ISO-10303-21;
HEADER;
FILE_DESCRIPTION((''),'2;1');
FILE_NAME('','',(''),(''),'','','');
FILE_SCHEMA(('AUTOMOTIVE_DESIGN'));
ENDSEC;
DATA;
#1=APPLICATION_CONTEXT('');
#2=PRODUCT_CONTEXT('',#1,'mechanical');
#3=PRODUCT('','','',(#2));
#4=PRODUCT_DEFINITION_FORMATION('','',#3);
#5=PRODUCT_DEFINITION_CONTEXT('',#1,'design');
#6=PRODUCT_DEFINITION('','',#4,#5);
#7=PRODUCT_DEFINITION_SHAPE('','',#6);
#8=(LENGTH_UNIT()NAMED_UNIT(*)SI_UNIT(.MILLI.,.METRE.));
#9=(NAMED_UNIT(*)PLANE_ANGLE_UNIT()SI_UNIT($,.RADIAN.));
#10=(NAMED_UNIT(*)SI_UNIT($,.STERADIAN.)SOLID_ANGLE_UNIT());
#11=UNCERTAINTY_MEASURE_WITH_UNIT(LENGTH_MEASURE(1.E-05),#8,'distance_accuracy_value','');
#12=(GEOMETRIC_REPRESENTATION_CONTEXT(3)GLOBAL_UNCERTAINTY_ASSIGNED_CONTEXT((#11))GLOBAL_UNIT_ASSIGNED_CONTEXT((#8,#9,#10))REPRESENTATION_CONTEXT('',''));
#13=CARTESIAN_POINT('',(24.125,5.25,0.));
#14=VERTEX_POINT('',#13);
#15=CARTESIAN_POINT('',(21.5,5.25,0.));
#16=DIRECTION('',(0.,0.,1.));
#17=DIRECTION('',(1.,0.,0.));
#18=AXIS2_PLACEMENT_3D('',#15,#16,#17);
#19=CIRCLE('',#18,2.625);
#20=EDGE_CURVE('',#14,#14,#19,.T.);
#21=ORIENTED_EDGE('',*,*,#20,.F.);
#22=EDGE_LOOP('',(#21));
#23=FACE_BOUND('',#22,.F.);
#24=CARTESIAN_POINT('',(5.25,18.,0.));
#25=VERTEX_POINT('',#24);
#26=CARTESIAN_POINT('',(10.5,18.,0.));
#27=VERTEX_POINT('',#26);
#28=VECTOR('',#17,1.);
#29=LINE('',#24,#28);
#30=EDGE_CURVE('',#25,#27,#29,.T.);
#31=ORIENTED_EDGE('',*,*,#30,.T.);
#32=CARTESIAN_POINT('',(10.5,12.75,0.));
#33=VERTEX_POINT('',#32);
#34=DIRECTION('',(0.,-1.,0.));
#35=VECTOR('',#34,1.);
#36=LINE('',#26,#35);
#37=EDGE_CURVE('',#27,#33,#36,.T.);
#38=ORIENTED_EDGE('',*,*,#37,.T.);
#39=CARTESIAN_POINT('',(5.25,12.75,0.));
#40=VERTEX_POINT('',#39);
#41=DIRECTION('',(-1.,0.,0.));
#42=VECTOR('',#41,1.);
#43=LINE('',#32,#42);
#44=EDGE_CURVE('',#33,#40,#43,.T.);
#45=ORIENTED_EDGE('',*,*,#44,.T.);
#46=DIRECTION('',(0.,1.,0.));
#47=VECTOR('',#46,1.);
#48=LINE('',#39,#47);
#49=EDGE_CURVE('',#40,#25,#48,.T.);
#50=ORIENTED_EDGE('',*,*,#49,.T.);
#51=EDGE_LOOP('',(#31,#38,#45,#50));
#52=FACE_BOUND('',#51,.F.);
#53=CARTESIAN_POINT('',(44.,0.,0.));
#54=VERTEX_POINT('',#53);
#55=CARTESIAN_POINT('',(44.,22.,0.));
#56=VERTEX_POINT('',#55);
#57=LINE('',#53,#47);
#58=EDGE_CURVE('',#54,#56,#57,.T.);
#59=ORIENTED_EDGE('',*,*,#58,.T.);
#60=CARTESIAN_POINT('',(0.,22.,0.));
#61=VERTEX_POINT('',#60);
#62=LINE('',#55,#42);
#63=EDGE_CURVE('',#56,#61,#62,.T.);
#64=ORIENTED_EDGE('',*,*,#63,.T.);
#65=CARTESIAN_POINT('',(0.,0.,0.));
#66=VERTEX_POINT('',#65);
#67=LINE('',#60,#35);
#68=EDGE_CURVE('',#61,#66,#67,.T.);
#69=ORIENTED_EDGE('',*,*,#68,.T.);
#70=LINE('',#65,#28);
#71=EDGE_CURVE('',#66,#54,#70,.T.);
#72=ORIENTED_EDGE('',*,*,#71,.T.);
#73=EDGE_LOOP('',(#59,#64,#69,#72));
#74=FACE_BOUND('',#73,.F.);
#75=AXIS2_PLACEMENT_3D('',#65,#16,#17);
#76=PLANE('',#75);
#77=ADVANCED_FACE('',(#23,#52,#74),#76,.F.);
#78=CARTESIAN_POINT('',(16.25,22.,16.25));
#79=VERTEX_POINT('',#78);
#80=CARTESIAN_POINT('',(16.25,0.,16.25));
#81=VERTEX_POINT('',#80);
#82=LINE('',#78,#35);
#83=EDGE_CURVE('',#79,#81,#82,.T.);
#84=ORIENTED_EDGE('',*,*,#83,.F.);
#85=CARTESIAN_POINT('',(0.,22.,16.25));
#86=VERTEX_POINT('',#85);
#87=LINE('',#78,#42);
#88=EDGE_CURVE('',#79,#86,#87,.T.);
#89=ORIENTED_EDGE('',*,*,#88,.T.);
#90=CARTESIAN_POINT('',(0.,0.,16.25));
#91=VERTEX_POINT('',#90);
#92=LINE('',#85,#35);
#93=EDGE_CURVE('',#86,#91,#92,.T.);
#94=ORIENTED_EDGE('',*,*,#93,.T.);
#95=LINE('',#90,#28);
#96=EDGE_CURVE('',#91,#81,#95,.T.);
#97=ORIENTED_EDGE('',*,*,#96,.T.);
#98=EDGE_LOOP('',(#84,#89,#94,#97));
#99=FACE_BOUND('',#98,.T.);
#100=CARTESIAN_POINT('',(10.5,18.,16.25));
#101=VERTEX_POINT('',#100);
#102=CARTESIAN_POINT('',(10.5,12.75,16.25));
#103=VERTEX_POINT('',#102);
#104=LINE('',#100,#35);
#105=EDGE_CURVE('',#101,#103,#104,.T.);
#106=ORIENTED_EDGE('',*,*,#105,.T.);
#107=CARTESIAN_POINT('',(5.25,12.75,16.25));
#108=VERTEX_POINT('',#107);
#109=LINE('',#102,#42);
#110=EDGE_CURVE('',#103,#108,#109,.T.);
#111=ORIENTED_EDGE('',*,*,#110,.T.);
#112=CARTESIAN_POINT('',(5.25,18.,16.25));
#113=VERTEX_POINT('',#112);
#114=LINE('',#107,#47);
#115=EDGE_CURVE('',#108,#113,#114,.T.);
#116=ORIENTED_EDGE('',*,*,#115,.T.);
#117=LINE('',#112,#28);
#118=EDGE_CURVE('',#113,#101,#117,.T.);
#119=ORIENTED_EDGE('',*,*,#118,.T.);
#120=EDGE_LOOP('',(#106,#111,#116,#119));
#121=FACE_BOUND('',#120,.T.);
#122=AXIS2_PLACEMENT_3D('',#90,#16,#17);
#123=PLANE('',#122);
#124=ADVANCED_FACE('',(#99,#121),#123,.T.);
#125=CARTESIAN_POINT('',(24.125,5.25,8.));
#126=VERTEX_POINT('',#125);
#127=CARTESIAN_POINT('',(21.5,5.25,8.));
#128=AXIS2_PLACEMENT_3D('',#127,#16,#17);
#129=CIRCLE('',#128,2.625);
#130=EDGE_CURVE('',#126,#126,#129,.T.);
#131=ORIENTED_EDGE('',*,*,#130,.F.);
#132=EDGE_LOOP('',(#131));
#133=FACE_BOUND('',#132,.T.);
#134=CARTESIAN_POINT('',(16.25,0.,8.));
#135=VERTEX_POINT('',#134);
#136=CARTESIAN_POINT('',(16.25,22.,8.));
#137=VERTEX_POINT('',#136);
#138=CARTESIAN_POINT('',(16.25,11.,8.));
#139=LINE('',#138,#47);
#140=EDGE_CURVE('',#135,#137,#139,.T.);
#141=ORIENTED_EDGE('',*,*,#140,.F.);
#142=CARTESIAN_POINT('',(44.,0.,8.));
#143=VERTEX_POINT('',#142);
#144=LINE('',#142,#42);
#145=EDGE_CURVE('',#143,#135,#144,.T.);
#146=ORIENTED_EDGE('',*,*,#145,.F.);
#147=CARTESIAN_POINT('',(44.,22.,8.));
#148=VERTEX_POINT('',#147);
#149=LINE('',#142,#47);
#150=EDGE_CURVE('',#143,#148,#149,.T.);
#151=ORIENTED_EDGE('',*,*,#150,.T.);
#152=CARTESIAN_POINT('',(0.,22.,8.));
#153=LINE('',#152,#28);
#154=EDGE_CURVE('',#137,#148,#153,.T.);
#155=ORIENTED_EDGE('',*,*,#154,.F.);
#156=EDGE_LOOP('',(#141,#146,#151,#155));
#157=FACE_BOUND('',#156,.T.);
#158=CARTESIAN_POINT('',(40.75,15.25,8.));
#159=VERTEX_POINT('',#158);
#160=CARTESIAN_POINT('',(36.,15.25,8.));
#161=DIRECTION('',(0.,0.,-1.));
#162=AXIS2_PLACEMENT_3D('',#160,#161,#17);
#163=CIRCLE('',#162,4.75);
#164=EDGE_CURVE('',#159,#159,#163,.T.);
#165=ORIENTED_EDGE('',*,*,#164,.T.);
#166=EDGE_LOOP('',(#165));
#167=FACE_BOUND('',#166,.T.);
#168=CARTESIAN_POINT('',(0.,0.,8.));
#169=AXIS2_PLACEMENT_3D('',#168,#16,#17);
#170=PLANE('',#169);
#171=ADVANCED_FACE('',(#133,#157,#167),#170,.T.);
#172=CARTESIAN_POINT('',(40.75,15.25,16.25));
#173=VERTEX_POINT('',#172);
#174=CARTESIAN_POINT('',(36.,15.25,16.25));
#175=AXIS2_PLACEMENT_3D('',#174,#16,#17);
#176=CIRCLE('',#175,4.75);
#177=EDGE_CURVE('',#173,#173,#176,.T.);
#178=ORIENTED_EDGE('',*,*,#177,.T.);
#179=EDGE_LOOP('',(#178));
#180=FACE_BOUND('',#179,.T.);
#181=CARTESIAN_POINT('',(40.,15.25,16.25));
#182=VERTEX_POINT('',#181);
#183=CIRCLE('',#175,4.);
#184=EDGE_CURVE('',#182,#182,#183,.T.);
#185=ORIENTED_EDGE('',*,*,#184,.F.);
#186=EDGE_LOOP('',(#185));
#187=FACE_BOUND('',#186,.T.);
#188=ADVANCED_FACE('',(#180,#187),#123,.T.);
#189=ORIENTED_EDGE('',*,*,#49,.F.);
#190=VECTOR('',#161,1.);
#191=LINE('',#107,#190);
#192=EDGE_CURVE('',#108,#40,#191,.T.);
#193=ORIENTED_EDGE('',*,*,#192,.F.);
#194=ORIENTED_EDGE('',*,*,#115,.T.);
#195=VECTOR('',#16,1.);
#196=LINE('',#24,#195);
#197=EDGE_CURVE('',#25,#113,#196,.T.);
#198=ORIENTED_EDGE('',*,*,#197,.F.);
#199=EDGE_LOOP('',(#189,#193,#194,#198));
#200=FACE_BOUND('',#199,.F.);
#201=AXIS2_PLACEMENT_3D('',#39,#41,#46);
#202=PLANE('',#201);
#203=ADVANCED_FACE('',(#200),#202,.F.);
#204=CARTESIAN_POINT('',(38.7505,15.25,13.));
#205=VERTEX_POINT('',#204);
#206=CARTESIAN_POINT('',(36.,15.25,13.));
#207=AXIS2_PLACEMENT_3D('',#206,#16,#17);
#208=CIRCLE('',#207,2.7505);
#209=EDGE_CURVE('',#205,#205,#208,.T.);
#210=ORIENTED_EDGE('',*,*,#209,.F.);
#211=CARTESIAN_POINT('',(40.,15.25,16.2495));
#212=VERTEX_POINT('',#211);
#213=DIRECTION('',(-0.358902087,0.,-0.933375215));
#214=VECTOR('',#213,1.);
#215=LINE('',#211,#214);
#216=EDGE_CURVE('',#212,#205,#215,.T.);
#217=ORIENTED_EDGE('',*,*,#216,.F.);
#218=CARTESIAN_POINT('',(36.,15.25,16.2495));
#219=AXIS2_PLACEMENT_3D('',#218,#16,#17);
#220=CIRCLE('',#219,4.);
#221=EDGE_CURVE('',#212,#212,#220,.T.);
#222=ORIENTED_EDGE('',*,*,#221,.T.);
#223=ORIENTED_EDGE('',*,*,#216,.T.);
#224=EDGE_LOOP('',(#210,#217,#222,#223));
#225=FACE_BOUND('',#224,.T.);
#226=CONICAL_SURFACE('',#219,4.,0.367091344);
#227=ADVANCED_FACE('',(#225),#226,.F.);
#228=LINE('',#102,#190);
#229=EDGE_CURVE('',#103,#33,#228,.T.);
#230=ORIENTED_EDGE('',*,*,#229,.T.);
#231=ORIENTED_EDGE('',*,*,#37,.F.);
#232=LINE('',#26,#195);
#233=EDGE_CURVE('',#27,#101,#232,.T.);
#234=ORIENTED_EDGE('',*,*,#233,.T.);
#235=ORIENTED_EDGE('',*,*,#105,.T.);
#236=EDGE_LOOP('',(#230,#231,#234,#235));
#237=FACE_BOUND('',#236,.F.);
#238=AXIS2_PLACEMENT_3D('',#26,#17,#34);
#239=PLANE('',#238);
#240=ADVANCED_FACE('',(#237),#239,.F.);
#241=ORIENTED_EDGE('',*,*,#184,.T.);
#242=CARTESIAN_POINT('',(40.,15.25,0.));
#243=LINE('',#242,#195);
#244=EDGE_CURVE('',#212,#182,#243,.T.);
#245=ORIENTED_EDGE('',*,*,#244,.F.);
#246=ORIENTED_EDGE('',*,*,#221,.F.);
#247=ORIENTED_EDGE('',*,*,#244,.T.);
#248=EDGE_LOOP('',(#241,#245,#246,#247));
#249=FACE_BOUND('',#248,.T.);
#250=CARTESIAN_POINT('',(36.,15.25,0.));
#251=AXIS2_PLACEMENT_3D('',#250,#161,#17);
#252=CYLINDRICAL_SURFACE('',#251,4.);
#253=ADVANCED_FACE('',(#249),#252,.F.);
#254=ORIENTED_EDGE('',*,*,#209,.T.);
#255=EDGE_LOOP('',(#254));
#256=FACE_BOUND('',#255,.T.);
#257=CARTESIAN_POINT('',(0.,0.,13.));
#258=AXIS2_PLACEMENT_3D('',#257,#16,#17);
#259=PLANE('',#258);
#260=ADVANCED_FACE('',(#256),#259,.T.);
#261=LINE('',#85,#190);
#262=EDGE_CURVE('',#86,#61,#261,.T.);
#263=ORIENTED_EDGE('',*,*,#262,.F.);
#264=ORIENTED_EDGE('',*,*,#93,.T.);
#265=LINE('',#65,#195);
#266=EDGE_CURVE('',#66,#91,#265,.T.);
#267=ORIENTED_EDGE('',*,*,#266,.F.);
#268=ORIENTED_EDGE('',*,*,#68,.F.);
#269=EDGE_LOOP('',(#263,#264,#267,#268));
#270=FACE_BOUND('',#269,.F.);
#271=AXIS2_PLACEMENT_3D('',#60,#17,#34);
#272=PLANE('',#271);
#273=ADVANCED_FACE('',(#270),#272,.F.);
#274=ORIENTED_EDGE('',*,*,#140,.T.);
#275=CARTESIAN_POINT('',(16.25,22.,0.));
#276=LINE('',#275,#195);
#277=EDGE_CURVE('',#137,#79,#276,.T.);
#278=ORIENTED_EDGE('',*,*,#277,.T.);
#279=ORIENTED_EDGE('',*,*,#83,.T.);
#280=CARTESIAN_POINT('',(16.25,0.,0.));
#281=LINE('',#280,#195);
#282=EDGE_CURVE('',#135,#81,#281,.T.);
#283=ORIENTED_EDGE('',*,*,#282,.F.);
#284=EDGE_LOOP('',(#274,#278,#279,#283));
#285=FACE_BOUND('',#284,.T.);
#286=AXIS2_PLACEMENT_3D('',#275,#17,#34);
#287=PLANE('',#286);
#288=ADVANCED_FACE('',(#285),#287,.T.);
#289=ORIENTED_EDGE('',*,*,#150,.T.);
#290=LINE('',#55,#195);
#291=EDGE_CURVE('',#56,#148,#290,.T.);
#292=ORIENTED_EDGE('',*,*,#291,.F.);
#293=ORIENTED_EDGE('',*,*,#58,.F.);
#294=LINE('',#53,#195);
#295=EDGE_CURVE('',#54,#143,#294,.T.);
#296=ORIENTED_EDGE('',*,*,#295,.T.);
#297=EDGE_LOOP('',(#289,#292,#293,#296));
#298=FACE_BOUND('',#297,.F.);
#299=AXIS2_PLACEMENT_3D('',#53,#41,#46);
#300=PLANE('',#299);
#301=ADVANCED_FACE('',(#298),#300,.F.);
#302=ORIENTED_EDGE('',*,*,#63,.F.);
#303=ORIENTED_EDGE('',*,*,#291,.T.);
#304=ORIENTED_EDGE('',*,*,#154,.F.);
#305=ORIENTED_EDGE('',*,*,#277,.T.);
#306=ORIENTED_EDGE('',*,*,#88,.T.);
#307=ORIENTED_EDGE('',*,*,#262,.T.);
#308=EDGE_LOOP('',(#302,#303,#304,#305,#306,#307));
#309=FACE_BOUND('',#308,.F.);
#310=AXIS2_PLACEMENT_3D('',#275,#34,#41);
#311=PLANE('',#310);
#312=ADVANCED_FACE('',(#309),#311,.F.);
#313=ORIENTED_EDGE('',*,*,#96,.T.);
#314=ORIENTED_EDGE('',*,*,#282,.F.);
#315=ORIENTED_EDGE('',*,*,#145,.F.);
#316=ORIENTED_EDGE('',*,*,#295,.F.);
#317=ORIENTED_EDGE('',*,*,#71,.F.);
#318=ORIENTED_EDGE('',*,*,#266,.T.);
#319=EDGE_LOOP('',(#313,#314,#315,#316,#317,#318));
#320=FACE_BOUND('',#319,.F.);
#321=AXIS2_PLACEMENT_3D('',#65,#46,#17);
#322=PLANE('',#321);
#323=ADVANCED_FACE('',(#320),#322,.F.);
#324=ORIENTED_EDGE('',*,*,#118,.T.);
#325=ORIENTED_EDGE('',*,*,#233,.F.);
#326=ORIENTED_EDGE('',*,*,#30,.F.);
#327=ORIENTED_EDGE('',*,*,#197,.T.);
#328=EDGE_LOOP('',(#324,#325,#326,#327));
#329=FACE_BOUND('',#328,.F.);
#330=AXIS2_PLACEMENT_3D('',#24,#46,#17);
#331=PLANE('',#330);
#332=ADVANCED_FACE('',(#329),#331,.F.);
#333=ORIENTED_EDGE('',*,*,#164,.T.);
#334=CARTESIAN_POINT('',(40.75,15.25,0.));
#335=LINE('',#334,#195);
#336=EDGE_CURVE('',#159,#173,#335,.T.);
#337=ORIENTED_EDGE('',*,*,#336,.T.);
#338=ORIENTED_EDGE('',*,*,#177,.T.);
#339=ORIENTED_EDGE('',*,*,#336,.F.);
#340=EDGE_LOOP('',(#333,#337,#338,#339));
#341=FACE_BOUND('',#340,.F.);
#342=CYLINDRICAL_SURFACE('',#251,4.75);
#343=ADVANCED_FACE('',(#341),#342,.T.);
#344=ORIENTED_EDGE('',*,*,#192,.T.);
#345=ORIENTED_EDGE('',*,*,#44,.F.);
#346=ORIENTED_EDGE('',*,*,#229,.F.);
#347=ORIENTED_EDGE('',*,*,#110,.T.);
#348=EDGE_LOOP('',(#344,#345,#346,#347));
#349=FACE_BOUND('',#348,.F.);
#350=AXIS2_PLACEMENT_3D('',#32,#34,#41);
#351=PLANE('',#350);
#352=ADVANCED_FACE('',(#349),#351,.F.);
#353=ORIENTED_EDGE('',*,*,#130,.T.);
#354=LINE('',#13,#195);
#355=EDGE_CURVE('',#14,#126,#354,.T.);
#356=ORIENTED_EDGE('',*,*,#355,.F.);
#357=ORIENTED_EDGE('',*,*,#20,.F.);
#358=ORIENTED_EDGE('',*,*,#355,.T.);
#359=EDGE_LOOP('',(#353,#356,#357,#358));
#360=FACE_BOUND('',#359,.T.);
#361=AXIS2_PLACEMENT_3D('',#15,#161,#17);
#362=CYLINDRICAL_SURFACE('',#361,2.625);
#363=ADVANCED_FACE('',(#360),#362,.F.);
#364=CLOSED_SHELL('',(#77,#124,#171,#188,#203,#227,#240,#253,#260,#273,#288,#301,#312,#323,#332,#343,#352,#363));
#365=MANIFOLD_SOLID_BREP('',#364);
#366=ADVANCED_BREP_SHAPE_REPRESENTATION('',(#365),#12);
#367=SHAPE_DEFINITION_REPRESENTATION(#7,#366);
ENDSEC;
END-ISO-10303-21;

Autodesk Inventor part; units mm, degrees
ref_plane "YZ Plane" through (0, 0, 0) normal (1, 0, 0) x (0, 1, 0)
ref_plane "XZ Plane" through (0, 0, 0) normal (0, 1, 0) x (-1, 0, 0)
ref_plane "XY Plane" through (0, 0, 0) normal (0, 0, 1) x (1, 0, 0)
sketch "Sketch1" plane through (0, 0, 0) normal (0, 0, 1) x (1, 0, 0)
  line L0 (0, 0) -> (16.25, 0)
  line L1 (44, 0) -> (44, 22)
  line L2 (44, 22) -> (16.25, 22)
  line L3 (0, 22) -> (0, 0)
  line L4 (5.25, 18) -> (10.5, 18)
  line L5 (10.5, 18) -> (10.5, 12.75)
  line L6 (10.5, 12.75) -> (5.25, 12.75)
  line L7 (5.25, 12.75) -> (5.25, 18)
  line L8 (16.25, 22) -> (16.25, 0)
  line L9 (16.25, 22) -> (0, 22)
  line L10 (16.25, 0) -> (44, 0)
  circle A0 centre (21.5, 5.25) radius 2.625
  circle A1 centre (36, 15.25) radius 4.75
  circle A2 centre (36, 15.25) radius 4
  circle A3 centre (36, 15.25) radius 2.625
  dimension "d0" = 44
  dimension "d1" = 22
  dimension "d2" = 5.25
  dimension "d3" = 5.25
  dimension "d4" = 16.25
  dimension "d5" = 5.25
  dimension "d6" = 5.25
  dimension "d7" = 5.25
  dimension "d8" = 4
  dimension "d9" = 5.25
  dimension "d10" = 6.75
  dimension "d11" = 8
  dimension "d12" = 5.25
  dimension "d13" = 8
  dimension "d14" = 9.5
extrude "Extrusion1" add sketch "Sketch1" along normal blind 8 contours L3 L9 L8 L0 | L8 L2 L1 L10 | A1 | A2 | A3
extrude "Extrusion2" add sketch "Sketch1" along normal blind 16.25 contours L3 L9 L8 L0 | A1
extrude "Extrusion3" add sketch "Sketch1" along normal blind 13 contours A2 | A3
chamfer "Chamfer1" distance 3.25 distance2 1.25 1 edges at (32, 15.25, 13) measured on face at (39.987, 14.9281, 15.1667)
